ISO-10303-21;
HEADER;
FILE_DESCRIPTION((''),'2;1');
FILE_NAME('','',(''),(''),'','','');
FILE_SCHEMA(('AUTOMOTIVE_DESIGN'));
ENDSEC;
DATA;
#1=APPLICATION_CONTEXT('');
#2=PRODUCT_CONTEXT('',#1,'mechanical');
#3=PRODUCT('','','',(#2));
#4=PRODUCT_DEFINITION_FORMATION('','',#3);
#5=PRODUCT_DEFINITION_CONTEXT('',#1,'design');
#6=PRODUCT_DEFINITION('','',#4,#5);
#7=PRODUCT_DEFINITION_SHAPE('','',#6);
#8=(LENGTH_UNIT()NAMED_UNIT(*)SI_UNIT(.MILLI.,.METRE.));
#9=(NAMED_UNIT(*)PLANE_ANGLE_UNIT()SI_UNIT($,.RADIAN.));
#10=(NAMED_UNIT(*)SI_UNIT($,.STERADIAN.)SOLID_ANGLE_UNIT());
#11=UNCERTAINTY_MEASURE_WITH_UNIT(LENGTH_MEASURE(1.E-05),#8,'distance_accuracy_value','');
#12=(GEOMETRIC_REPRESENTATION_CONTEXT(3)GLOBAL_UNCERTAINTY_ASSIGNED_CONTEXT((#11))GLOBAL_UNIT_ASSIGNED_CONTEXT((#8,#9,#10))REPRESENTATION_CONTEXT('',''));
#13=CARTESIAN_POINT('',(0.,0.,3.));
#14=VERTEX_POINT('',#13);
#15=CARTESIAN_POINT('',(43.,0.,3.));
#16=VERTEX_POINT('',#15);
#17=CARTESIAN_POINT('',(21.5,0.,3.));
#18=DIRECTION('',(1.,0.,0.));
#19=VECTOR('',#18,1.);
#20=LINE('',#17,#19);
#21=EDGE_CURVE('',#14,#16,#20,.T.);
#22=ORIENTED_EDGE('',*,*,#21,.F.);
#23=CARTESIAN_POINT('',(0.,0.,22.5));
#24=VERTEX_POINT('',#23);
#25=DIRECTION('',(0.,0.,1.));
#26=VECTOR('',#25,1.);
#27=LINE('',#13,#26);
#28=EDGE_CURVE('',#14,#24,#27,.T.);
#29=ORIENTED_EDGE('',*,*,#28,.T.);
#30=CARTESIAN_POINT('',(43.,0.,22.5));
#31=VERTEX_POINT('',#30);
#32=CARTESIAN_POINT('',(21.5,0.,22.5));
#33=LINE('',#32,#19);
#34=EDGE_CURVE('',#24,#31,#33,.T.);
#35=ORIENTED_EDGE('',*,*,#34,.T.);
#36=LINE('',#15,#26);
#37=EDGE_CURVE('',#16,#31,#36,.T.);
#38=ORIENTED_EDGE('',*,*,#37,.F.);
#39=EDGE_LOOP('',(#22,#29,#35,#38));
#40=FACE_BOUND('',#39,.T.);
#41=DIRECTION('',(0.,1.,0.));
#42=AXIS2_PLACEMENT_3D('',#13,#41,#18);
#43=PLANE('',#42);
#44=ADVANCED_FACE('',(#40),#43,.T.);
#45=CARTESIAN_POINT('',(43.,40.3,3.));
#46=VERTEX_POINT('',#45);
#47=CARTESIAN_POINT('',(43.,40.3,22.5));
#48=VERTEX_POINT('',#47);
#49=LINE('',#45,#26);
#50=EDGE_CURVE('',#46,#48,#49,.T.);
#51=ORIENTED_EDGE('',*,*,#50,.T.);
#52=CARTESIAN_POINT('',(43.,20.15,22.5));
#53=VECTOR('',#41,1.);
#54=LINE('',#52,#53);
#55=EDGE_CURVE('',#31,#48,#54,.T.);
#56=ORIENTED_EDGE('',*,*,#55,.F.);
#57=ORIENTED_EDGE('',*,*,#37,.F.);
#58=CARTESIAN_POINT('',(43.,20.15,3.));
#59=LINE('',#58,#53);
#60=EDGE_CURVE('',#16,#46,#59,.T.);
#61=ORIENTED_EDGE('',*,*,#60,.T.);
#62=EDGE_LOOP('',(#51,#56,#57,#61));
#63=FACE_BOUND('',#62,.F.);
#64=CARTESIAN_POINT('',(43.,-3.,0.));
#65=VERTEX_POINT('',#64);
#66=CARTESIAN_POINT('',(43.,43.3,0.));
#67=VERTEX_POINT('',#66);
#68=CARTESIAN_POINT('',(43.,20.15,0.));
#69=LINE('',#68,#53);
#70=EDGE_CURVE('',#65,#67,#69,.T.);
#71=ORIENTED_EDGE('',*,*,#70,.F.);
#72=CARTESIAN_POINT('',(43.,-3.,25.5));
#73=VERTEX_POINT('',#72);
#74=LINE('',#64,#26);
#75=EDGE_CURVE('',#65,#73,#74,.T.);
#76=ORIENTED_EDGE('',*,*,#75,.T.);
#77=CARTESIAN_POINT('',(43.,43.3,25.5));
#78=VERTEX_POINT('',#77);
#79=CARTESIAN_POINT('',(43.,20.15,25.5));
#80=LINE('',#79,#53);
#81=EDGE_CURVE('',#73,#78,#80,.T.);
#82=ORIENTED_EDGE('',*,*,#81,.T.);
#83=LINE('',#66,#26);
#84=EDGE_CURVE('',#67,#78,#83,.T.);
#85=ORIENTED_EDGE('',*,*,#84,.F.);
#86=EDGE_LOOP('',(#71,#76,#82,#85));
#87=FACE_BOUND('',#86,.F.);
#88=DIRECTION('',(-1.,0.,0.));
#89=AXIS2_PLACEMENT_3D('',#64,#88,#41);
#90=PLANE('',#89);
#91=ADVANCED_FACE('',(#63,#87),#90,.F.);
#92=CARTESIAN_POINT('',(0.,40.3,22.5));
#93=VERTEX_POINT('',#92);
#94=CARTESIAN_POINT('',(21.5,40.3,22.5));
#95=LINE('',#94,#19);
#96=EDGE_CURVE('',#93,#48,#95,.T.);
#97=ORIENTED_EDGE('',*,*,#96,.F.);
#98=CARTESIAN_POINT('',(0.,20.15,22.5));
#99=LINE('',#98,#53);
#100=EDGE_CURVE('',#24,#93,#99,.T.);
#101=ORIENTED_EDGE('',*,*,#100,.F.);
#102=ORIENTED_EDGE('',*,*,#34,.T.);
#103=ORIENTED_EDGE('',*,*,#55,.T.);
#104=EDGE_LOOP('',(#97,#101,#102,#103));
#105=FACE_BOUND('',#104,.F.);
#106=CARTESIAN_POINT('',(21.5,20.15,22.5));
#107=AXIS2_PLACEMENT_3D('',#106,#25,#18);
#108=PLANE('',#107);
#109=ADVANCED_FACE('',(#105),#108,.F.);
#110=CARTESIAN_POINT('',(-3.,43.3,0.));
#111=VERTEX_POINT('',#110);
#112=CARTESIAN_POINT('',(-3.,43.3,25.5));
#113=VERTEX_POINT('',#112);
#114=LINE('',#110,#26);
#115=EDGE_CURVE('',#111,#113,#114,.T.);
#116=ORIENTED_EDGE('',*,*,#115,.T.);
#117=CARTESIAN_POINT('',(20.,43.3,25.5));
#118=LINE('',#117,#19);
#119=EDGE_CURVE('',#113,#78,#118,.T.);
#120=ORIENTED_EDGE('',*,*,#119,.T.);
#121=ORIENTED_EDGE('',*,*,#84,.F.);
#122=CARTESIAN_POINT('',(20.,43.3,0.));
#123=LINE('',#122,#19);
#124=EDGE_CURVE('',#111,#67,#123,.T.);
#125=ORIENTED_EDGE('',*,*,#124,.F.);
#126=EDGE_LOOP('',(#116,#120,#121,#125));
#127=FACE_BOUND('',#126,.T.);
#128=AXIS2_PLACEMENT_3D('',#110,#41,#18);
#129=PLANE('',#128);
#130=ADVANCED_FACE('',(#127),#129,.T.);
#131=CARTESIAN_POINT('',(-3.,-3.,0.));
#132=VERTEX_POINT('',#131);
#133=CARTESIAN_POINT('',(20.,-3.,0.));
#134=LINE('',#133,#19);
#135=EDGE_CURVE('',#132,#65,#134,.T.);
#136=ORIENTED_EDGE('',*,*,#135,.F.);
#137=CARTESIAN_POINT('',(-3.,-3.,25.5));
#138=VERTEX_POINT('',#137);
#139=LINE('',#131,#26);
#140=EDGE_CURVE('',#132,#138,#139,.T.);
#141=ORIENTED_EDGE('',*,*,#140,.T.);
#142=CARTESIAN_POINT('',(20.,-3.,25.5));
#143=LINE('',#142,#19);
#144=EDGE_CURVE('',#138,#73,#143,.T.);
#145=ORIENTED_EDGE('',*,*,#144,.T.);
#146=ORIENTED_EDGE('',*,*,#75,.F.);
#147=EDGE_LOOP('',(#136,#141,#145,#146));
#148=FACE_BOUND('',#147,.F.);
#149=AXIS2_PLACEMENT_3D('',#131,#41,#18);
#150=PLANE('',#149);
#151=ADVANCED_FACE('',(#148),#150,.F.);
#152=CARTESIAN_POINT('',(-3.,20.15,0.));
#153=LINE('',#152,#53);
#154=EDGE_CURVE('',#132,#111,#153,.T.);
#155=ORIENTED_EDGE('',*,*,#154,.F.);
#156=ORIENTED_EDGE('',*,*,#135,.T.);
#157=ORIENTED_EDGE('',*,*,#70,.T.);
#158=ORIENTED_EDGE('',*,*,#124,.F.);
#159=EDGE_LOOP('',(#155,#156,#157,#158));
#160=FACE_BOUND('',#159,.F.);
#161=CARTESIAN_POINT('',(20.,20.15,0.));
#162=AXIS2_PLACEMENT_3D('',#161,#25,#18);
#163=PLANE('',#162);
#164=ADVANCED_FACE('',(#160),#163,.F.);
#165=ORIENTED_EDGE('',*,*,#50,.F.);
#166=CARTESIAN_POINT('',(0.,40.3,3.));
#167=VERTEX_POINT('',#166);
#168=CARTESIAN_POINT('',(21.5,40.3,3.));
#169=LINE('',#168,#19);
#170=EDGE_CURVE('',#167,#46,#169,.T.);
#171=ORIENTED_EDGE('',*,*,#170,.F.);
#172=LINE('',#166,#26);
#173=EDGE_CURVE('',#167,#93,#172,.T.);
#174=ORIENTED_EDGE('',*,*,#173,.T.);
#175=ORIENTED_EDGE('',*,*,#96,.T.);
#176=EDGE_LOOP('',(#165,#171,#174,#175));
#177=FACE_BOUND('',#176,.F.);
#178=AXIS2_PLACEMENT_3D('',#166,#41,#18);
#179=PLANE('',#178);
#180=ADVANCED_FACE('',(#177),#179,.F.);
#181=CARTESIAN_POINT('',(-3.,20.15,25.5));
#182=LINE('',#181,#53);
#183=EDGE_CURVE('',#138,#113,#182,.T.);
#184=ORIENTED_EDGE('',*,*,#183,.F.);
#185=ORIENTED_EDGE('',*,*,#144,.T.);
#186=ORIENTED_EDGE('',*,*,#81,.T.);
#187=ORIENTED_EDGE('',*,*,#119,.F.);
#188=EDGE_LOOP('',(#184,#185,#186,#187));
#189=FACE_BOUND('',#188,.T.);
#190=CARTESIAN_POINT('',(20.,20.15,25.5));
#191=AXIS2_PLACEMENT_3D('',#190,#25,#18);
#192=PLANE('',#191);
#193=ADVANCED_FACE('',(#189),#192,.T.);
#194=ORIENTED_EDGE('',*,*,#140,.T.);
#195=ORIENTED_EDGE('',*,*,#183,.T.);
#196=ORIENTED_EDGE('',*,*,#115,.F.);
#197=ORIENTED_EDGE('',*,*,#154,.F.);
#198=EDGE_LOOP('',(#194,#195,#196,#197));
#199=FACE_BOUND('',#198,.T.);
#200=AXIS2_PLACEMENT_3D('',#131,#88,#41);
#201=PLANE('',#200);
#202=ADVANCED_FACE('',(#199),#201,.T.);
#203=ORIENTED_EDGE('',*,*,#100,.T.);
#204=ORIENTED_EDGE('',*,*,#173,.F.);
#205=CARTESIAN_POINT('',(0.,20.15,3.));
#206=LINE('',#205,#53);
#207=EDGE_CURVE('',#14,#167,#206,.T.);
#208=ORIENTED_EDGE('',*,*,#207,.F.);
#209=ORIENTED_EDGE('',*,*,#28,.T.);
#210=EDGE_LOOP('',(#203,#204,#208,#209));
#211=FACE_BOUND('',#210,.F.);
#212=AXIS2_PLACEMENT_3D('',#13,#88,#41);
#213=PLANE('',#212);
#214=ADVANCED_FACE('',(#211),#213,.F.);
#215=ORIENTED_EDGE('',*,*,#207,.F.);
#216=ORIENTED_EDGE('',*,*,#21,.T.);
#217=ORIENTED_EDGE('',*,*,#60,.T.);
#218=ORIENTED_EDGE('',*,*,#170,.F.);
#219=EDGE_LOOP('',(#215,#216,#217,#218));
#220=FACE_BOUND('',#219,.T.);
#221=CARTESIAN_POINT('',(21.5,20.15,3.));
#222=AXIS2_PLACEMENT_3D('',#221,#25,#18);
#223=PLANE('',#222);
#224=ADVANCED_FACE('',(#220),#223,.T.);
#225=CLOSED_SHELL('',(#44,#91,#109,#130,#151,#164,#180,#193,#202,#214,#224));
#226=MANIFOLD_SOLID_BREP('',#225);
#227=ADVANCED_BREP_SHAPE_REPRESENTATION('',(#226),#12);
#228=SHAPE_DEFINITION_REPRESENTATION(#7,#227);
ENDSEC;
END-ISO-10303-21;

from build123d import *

# Parameters (mm, degrees)
SKETCH001_W  = 46
SKETCH001_H  = 46.3
PAD_DEPTH    = 25.5
SKETCH_W     = 43
SKETCH_H     = 40.3
POCKET_DEPTH = 19.5


with BuildPart() as part:
    # Sketch001 → Pad (new body)
    with BuildSketch(Plane.XY):
        with Locations((20, 20.15)):
            Rectangle(SKETCH001_W, SKETCH001_H)
    extrude(amount=PAD_DEPTH)

    # Sketch → Pocket (cut)
    with BuildSketch(Plane.XY.offset(3)):
        with Locations((21.5, 20.15)):
            Rectangle(SKETCH_W, SKETCH_H)
    extrude(amount=POCKET_DEPTH, mode=Mode.SUBTRACT)


solid = part.part
